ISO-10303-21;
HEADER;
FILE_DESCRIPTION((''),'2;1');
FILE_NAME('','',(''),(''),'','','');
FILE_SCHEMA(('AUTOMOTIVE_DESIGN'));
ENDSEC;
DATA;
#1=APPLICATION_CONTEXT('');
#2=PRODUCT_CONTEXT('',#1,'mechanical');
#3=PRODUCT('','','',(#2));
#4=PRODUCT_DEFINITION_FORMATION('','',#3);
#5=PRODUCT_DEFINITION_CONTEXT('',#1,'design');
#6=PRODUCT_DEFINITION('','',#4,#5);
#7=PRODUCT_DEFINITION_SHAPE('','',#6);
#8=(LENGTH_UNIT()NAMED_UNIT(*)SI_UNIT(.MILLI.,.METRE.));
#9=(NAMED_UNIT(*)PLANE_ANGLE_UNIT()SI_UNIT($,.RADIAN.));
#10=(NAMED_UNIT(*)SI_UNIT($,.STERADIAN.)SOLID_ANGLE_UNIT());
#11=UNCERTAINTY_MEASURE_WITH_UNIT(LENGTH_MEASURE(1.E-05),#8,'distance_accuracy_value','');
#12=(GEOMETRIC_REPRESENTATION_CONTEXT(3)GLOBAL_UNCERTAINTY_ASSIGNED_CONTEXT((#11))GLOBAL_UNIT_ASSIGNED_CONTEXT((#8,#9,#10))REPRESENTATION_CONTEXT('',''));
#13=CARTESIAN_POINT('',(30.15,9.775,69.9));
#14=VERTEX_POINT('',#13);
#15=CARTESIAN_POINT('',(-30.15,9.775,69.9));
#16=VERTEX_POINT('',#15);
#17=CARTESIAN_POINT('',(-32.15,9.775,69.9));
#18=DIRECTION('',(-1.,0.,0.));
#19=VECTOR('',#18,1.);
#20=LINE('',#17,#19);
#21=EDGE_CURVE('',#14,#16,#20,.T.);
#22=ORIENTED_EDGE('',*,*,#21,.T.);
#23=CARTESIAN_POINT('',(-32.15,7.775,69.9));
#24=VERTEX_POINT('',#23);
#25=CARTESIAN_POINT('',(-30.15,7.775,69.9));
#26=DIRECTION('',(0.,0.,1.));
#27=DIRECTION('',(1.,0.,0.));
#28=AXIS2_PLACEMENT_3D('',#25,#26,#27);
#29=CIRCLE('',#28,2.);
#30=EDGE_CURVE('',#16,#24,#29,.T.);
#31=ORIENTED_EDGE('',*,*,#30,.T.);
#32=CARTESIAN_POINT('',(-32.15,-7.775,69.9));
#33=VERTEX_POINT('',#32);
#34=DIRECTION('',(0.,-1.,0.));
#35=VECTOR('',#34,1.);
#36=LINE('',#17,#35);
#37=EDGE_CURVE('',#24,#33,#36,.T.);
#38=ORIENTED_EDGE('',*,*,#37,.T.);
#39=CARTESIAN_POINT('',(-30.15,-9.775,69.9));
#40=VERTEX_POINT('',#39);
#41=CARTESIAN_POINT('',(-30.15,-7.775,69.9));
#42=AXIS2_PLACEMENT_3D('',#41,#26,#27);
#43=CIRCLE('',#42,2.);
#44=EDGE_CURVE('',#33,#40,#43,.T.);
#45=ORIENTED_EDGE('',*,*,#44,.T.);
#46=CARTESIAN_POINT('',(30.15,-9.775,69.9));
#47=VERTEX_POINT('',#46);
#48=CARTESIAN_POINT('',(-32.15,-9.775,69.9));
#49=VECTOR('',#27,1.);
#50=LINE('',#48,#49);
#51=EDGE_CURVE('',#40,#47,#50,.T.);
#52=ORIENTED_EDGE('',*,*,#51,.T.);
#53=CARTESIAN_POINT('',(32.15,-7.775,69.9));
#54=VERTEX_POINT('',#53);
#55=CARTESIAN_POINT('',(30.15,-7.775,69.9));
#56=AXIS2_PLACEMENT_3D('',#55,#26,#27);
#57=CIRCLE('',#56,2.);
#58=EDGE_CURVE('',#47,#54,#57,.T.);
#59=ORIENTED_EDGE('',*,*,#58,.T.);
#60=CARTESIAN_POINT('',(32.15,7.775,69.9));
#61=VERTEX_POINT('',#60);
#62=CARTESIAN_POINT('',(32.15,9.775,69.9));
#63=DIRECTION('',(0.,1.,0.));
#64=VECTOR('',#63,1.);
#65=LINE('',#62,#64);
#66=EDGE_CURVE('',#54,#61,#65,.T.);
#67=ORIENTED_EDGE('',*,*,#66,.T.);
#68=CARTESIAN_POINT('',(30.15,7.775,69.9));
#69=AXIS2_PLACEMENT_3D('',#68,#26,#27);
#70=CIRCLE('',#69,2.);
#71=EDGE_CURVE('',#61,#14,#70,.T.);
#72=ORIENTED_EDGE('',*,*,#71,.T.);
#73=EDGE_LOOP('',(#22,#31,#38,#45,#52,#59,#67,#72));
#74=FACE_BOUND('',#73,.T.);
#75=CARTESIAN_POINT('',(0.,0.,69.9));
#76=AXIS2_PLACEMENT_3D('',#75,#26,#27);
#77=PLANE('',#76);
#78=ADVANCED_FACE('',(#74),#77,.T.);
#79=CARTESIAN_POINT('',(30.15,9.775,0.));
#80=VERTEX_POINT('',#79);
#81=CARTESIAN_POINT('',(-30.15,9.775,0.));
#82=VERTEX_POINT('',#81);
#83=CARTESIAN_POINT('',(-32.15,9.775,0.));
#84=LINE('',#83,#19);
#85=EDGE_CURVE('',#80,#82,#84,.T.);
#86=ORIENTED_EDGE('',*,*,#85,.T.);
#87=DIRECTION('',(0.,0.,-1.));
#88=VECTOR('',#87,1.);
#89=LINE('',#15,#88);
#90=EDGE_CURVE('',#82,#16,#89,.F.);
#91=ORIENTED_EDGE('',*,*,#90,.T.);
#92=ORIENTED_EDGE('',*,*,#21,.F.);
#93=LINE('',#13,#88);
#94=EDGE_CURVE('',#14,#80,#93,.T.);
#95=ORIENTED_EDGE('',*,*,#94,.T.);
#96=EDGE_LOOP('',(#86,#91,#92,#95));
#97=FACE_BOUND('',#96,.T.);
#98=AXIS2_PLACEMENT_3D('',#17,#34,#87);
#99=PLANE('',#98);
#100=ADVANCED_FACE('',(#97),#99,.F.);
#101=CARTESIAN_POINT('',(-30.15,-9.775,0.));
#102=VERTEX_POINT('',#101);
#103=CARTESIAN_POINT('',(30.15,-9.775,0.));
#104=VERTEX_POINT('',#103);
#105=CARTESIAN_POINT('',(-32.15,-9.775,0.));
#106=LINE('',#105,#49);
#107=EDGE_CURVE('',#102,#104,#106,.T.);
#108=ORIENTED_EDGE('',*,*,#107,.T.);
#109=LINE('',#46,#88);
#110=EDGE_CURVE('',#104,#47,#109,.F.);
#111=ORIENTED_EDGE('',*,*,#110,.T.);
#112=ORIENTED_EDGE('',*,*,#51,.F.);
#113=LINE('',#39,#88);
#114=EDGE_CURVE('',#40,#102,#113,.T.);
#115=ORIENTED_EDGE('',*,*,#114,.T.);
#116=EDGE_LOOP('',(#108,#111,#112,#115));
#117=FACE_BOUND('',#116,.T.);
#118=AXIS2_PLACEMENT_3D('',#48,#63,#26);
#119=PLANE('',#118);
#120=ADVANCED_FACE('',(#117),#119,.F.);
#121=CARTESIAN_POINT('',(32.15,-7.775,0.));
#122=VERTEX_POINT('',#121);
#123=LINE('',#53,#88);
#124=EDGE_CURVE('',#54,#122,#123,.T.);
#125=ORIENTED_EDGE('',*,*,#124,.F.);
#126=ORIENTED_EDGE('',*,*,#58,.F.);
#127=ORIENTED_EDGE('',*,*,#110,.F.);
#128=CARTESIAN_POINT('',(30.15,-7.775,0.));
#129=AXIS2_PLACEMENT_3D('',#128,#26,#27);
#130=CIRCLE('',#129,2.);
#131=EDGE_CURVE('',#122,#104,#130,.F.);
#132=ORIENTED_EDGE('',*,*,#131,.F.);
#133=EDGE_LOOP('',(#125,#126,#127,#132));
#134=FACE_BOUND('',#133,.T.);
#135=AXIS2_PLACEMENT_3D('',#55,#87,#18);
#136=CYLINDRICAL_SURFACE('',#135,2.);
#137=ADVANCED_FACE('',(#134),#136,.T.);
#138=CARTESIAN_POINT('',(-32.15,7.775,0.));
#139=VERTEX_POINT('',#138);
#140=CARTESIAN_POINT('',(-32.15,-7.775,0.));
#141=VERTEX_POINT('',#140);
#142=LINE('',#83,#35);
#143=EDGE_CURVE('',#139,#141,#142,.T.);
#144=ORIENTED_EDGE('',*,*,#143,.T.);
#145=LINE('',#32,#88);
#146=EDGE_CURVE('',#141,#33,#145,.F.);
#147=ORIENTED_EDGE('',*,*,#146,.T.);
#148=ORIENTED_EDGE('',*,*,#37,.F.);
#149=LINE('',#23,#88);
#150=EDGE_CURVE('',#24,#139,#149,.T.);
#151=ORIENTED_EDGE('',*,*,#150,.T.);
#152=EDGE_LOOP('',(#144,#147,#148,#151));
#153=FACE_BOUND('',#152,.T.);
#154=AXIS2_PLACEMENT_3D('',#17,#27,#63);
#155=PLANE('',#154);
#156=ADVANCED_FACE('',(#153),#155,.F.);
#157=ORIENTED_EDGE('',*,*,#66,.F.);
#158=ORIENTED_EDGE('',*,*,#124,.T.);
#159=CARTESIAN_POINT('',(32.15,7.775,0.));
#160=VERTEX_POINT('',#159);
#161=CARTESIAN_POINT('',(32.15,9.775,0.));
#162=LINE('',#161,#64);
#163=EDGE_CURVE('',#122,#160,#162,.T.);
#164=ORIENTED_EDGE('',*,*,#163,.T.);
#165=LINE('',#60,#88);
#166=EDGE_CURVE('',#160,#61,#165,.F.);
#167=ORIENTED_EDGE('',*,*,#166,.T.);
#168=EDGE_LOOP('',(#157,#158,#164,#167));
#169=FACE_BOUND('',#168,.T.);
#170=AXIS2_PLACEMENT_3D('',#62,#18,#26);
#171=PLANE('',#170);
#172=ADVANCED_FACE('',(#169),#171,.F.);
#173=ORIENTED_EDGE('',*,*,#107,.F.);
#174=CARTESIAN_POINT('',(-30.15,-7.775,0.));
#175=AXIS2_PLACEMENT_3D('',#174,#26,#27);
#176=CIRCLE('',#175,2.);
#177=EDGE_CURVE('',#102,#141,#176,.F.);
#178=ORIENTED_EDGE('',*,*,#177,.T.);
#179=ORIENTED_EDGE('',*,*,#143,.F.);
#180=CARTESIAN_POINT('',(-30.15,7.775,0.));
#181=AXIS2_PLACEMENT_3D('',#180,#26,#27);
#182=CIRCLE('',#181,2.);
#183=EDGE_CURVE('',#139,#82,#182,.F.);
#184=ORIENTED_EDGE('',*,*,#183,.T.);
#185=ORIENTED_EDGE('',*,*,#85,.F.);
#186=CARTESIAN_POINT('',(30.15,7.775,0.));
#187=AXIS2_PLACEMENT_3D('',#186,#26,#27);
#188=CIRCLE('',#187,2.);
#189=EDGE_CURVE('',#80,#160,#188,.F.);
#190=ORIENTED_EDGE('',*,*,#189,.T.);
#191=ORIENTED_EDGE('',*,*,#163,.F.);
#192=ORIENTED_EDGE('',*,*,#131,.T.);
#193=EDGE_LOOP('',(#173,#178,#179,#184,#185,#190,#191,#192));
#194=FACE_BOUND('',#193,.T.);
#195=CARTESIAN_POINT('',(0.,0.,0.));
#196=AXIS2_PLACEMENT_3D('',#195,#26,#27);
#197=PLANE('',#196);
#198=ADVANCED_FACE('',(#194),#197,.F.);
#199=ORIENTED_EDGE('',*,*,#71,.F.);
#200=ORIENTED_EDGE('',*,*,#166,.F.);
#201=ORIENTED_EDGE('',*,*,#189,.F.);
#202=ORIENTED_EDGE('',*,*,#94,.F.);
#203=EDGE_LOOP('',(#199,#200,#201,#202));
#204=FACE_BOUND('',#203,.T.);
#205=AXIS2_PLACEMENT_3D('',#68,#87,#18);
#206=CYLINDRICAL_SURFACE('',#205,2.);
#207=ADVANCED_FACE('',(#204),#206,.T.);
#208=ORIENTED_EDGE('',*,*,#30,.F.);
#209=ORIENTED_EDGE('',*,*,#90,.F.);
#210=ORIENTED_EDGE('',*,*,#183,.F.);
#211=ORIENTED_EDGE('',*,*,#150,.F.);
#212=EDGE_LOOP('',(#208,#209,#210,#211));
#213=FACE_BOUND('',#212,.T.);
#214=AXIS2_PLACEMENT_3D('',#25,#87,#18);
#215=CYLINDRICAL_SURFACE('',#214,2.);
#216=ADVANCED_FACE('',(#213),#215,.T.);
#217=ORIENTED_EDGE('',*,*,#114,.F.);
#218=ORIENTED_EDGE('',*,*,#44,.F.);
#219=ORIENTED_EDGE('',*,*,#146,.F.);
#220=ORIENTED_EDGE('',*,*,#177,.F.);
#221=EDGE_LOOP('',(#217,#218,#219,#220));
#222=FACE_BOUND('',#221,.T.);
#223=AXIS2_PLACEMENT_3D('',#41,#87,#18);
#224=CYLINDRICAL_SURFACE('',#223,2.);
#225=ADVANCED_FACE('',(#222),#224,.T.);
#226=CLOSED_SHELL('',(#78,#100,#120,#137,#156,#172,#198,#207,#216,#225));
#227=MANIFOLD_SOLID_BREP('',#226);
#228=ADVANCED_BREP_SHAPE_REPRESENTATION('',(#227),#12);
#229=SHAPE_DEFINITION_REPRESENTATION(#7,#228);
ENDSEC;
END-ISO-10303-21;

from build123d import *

# Parameters (mm, degrees)
SKETCH1_W  = 64.3
SKETCH1_H  = 19.55
BODY_DEPTH = 69.9
FILLET1_R  = 2


with BuildPart() as part:
    # Sketch1 → Body (new body)
    with BuildSketch(Plane.XY):
        Rectangle(SKETCH1_W, SKETCH1_H)
    extrude(amount=BODY_DEPTH)

    # Fillet1
    fillet1_edges = [part.edges().sort_by_distance(p)[0] for p in [
        (32.15, -9.775, 34.95),
        (-32.15, -9.775, 34.95),
        (-32.15, 9.775, 34.95),
        (32.15, 9.775, 34.95),
    ]]
    fillet(fillet1_edges, radius=FILLET1_R)


solid = part.part
